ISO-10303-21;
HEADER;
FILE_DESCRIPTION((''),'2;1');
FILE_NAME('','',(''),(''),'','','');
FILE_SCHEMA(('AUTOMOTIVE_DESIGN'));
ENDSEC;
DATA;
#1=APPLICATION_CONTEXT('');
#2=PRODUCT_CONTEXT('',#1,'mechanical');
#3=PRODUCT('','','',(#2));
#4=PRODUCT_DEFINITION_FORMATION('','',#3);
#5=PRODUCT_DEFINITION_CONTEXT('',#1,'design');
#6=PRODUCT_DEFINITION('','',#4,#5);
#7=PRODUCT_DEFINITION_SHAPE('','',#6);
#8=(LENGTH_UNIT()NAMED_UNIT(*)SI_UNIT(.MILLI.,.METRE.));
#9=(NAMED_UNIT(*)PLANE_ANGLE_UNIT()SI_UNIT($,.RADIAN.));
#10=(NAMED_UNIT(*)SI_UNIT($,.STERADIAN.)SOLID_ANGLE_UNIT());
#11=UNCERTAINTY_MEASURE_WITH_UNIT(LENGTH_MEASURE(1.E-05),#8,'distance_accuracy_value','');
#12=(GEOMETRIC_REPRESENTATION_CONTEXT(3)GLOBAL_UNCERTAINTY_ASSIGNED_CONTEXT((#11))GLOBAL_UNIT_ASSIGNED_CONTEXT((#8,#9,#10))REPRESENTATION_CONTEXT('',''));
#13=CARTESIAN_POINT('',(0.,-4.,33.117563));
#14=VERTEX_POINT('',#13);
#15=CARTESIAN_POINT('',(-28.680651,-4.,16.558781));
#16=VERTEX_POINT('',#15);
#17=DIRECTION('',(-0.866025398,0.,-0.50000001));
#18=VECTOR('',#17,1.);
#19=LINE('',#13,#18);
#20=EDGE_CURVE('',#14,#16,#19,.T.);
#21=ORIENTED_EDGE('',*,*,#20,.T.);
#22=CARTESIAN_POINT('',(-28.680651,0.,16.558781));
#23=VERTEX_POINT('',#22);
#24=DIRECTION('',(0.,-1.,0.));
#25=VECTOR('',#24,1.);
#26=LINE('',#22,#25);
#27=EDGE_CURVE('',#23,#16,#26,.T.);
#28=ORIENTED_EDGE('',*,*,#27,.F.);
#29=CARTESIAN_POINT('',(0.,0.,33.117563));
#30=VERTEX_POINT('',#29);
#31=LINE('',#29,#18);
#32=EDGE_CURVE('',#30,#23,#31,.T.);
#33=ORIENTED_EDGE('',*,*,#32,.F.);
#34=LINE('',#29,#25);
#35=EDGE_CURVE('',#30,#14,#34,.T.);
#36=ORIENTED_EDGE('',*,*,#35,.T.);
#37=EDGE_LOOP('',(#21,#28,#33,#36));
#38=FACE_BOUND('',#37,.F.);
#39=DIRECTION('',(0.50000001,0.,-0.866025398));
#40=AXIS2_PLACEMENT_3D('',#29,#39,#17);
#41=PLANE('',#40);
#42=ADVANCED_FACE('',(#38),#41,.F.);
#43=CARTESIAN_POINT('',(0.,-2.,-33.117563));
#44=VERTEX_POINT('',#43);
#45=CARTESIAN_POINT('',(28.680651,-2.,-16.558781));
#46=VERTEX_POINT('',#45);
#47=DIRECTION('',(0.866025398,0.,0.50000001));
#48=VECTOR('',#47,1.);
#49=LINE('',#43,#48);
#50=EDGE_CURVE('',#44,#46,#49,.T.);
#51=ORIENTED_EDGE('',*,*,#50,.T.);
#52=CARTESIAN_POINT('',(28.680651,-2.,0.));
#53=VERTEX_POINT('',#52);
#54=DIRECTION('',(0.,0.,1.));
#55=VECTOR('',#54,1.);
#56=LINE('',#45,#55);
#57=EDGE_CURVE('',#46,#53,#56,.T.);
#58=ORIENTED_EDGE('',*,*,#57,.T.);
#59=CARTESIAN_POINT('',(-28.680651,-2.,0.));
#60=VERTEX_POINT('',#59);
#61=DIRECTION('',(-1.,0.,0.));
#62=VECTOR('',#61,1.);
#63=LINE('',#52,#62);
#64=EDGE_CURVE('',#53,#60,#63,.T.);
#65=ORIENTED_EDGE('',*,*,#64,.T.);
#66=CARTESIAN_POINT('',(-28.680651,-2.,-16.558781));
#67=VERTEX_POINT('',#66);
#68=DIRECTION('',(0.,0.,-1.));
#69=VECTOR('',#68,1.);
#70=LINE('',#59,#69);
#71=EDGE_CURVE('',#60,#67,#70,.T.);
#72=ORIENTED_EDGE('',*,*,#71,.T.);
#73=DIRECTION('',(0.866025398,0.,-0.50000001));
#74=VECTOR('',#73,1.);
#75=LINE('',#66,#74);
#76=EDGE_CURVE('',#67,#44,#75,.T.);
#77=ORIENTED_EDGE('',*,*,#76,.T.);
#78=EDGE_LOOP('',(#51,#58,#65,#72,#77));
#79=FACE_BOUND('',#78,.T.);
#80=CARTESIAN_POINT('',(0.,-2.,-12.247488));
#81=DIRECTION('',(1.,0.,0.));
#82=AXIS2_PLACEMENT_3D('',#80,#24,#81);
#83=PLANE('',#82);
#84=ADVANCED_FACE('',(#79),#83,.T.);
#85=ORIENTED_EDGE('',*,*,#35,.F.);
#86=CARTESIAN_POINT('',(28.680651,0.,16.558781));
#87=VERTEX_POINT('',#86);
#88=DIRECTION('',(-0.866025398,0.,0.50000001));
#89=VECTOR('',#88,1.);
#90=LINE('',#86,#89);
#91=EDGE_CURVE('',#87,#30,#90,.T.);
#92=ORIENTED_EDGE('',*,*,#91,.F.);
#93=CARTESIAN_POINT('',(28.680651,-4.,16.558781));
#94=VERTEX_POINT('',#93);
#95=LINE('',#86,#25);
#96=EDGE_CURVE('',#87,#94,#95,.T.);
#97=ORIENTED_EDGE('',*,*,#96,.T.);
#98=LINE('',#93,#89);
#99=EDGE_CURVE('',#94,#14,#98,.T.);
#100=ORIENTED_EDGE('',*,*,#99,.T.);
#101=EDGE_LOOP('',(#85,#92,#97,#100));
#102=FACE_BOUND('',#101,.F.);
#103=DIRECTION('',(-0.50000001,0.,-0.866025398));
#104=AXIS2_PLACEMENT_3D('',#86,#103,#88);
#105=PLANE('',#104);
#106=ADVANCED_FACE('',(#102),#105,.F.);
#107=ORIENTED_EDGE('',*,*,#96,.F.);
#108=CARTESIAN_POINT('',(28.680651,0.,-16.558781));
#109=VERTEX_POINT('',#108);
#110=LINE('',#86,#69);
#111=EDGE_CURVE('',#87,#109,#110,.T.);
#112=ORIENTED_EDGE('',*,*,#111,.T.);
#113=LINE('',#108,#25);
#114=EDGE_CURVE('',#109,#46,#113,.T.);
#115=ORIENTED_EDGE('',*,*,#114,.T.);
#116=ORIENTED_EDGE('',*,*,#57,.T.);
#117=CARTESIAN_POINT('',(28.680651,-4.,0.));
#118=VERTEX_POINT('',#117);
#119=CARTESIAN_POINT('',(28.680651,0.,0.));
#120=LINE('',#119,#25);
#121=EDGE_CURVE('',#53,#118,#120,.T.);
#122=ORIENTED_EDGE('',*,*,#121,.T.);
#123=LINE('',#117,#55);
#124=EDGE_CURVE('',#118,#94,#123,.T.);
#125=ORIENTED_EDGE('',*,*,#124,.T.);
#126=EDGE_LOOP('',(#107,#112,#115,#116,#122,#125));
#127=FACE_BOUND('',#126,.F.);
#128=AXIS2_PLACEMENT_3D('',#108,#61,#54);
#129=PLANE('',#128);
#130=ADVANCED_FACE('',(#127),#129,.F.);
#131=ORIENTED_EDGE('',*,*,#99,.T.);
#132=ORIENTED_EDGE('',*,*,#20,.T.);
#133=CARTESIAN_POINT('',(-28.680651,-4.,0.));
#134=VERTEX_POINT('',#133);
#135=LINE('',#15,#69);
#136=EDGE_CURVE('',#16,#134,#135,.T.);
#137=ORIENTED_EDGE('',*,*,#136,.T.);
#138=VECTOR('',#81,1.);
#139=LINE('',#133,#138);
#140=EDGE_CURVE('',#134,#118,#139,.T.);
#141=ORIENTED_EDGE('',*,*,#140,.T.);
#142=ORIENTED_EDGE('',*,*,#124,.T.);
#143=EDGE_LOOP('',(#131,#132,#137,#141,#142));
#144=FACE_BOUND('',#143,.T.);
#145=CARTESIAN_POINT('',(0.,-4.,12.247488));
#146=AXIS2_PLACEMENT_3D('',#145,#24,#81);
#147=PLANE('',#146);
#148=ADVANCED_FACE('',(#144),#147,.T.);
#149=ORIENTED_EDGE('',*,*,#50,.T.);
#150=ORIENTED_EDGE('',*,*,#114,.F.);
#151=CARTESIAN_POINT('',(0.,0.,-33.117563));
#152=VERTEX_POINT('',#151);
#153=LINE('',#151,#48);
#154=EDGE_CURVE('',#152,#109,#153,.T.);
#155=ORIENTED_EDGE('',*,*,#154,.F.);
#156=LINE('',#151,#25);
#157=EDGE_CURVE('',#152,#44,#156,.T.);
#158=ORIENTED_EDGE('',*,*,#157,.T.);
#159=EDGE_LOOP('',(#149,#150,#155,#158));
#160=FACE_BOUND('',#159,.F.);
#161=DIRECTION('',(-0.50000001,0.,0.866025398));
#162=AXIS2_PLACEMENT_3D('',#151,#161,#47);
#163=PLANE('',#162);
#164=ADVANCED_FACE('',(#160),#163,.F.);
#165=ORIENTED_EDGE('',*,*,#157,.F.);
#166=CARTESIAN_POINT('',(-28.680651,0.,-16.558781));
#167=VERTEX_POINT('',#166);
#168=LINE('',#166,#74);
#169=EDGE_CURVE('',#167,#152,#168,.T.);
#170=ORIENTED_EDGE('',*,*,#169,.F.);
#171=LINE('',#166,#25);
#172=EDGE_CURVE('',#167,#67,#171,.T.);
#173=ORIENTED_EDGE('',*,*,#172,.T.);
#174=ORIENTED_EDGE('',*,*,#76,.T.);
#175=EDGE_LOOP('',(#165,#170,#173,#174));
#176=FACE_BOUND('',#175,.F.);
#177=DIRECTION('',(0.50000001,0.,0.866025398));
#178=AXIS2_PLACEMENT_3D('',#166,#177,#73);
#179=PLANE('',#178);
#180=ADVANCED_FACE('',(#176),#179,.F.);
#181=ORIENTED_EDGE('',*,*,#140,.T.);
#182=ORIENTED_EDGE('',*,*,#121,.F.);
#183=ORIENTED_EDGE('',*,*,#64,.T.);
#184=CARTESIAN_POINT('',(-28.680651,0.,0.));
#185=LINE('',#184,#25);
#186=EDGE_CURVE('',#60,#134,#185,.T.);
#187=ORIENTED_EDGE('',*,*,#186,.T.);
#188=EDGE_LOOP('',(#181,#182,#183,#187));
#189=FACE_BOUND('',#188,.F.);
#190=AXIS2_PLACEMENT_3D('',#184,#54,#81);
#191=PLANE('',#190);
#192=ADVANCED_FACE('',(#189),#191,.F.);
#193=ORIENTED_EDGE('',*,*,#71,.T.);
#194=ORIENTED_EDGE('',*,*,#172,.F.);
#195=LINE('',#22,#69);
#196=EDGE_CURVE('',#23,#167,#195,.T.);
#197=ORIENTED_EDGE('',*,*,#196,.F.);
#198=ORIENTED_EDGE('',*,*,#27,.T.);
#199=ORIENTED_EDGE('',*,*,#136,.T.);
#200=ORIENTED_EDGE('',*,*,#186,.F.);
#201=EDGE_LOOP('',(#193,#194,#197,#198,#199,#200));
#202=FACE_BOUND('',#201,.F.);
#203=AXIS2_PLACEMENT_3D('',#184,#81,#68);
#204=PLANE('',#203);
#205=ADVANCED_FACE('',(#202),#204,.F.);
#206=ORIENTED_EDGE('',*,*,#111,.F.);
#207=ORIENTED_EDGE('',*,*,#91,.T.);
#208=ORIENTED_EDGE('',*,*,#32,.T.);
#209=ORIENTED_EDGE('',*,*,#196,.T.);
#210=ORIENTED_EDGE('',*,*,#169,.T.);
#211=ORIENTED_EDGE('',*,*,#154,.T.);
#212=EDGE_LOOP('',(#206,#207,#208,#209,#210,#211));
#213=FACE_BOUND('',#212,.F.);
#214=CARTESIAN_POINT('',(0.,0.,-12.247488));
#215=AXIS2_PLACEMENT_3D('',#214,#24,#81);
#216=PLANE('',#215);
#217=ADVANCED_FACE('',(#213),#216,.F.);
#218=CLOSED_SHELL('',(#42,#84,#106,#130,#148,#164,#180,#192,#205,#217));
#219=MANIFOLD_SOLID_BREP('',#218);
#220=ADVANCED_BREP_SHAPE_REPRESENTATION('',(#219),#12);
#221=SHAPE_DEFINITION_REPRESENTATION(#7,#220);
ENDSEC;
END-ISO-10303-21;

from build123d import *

# Parameters (mm, degrees)
F1_DEPTH = 4
F2_DEPTH = 2


with BuildPart() as f1:
    # F0 (on Front) → F1 (new body)
    with BuildSketch(Plane.XZ):
        Polygon((-28.680651, 16.558781), (-28.680651, 0), (28.680651, 0), (28.680651, 16.558781), (0, 33.117563), align=None)
    extrude(amount=F1_DEPTH)

    # F0 (on Front) → F2 (join)
    with BuildSketch(Plane.XZ):
        Polygon((-28.680651, 0), (-28.680651, -16.558781), (0, -33.117563), (28.680651, -16.558781), (28.680651, 0), align=None)
    extrude(amount=F2_DEPTH)


solid = f1.part
